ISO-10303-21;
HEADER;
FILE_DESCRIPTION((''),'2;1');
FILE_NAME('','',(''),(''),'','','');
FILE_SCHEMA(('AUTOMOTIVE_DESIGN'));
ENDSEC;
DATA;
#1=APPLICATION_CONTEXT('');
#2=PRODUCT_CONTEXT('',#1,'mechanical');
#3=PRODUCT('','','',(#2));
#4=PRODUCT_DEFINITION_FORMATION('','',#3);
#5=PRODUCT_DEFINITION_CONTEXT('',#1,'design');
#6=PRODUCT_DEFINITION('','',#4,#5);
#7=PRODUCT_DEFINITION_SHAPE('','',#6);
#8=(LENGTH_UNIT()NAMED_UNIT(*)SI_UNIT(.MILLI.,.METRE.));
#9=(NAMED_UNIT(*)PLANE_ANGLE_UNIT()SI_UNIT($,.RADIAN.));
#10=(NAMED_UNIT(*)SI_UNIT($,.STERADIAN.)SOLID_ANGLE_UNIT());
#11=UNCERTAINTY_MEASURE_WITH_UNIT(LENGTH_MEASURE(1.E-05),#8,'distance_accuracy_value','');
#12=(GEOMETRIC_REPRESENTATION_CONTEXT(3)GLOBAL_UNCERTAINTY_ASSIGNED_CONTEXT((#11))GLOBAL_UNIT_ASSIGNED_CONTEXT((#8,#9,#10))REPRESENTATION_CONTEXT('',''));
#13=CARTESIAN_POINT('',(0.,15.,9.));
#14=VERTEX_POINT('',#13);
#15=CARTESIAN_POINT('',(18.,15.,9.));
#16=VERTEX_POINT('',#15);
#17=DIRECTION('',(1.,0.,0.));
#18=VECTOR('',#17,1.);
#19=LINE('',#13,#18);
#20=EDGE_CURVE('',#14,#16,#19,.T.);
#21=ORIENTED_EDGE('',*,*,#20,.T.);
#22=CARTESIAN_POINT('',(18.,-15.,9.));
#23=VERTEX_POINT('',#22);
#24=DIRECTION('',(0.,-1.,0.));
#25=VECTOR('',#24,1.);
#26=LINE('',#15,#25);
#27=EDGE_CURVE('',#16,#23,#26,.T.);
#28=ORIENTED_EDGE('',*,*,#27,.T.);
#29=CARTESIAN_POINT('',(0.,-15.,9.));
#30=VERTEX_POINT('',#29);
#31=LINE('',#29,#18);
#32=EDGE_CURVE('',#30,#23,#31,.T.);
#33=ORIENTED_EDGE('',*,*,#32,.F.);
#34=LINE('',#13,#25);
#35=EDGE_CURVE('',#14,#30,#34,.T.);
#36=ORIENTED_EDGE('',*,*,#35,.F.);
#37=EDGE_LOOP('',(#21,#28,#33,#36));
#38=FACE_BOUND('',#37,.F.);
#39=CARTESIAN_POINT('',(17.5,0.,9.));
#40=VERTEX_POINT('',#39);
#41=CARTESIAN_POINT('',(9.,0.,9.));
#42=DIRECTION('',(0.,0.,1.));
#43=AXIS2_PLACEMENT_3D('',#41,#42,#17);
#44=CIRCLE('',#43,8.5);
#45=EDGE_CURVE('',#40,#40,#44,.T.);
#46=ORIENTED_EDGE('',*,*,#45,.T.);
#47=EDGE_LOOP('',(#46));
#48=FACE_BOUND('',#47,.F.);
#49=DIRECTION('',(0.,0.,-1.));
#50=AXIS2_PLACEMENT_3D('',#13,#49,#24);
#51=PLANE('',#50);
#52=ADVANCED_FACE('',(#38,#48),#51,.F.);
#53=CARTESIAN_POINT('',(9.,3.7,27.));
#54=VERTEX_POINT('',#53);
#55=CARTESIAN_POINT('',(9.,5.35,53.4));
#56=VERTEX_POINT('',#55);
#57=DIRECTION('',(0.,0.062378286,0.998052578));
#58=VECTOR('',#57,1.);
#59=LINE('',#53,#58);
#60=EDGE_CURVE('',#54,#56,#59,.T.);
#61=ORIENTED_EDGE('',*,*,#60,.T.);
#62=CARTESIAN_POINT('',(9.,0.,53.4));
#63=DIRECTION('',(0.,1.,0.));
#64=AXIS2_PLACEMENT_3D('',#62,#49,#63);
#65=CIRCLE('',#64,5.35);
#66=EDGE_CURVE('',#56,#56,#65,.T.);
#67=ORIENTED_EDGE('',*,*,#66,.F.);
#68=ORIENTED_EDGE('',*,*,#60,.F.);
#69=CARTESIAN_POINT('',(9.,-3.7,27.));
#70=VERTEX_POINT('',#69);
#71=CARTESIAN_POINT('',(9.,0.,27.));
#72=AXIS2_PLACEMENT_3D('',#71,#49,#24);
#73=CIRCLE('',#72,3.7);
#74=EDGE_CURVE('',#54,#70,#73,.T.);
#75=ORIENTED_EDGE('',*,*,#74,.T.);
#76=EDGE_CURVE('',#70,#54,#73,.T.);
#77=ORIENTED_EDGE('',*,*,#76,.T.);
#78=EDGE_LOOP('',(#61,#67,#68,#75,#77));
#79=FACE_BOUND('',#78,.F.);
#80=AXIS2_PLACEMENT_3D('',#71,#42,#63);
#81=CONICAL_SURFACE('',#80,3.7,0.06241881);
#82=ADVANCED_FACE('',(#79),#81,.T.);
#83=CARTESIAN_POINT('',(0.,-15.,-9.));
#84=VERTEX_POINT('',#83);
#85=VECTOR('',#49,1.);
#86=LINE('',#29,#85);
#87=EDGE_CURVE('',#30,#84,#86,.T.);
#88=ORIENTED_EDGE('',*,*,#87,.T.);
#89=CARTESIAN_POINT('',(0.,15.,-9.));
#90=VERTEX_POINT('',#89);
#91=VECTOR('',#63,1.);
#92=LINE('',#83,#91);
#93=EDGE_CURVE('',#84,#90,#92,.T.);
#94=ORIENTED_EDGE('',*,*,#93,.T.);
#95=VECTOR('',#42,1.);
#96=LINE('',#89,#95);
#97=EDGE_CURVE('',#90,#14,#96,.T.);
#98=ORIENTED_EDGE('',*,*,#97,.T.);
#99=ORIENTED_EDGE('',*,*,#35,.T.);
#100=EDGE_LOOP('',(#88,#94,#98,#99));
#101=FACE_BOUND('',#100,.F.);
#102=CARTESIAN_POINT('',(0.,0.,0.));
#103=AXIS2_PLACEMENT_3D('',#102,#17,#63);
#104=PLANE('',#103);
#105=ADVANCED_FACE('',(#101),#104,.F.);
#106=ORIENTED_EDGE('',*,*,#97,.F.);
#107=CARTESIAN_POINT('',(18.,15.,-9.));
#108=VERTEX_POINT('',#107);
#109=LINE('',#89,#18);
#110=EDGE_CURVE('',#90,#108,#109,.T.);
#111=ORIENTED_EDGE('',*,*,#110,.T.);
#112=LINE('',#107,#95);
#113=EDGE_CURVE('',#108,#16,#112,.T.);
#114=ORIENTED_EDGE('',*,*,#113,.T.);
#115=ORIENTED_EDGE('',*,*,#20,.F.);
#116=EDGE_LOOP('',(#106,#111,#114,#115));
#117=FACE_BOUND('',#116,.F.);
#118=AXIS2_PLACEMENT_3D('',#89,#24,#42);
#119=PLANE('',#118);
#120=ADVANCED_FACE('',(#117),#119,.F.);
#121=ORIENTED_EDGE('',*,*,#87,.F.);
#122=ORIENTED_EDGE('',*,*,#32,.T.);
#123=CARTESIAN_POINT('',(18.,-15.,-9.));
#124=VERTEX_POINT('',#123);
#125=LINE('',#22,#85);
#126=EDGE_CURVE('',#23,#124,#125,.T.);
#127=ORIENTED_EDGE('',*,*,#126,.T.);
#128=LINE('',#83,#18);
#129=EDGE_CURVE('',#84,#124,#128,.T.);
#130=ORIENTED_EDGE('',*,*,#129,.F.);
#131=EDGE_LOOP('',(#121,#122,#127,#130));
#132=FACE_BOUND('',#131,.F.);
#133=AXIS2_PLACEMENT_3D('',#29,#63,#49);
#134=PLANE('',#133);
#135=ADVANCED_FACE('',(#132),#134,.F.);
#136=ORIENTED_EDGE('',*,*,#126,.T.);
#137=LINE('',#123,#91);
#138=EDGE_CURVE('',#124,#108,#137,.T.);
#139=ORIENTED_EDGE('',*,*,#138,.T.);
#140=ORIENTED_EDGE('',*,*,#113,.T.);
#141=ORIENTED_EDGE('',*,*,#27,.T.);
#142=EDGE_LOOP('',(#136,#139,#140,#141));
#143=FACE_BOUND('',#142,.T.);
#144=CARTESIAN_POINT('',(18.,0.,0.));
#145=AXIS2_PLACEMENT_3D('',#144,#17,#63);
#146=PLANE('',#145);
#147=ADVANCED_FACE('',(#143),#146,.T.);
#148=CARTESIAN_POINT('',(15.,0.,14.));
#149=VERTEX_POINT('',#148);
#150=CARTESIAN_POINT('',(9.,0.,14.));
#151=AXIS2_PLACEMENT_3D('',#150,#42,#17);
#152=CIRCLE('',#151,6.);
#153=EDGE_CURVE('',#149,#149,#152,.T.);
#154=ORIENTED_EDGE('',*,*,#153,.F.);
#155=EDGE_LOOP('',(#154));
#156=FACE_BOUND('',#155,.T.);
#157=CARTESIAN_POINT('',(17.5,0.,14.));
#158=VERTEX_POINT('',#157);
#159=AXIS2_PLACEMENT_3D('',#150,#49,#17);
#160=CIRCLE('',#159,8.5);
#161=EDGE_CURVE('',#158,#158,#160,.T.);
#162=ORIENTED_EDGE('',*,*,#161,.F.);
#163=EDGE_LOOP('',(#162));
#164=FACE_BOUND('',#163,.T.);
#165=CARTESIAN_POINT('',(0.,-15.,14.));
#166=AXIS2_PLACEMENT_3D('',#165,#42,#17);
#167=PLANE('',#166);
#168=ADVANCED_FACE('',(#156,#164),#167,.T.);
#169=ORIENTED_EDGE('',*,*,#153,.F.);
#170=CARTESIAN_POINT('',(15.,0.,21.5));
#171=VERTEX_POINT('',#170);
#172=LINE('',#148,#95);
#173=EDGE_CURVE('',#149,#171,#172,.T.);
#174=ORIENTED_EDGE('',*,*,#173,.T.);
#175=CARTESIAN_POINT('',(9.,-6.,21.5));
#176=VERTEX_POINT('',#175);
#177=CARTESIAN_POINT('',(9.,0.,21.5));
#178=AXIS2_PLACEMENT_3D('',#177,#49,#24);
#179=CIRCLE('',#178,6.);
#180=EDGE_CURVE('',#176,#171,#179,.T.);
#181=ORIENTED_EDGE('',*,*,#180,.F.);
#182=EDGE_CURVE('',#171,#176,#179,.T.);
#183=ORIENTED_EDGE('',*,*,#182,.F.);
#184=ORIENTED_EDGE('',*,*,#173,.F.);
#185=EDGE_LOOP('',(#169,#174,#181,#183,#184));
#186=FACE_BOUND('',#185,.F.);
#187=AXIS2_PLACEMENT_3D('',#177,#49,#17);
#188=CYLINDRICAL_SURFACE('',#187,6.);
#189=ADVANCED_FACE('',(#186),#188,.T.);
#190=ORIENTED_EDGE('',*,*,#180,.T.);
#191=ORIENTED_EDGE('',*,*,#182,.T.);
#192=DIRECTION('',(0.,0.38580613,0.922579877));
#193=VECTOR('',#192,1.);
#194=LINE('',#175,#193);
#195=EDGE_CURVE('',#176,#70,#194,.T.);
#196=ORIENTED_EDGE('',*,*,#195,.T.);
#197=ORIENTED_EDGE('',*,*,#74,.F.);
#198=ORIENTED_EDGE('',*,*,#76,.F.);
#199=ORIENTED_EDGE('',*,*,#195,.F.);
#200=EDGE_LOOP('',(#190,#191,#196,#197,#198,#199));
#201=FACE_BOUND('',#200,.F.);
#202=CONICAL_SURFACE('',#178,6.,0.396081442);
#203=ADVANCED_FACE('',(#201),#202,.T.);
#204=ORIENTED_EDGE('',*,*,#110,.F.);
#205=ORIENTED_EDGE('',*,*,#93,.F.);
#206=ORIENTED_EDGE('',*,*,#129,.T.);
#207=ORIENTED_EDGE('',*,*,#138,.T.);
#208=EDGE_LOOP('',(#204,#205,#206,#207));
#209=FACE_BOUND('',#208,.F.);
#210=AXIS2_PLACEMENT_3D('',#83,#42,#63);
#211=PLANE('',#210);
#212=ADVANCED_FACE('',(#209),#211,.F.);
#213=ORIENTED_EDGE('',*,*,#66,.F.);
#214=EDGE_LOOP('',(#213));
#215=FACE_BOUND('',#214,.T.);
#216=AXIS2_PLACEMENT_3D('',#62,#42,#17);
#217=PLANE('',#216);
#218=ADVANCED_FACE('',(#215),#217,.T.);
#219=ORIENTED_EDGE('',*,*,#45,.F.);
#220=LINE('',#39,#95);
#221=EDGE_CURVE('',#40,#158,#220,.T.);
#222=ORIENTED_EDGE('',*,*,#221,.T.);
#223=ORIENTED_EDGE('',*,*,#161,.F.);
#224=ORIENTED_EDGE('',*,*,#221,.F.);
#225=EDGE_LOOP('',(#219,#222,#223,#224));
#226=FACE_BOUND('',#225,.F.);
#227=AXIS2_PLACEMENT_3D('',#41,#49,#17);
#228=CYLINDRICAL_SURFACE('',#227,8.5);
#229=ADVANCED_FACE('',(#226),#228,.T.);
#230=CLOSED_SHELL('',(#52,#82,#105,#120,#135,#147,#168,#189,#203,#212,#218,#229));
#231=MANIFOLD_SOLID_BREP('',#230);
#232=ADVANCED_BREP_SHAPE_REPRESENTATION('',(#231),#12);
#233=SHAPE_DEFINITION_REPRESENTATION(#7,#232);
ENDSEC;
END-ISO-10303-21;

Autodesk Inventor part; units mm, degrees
ref_plane "YZ Plane" through (0, 0, 0) normal (1, 0, 0) x (0, 1, 0)
ref_plane "XZ Plane" through (0, 0, 0) normal (0, 1, 0) x (-1, 0, 0)
sketch "Sketch1" plane through (0, 0, 0) normal (1, 0, 0) x (0, 1, 0)
  point P0 (0, 0)
sketch "Sketch2" plane through (0, 0, 0) normal (1, 0, 0) x (0, 1, 0)
  line L0 (15, 9) -> (-15, 9)
  line L1 (-15, 9) -> (-15, -9)
  line L2 (-15, -9) -> (15, -9)
  line L3 (15, -9) -> (15, 9)
  line L4 (15, 9) -> (-15, -9) construction
  line L5 (-15, 9) -> (15, -9) construction
  point P0 (0, 0)
  dimension "d0" = 30
  dimension "d1" = 18
extrude "Extrusion1" add sketch "Sketch2" along normal blind 18
sketch "Sketch3" plane through (0, -15, 9) normal (0, 0, 1) x (1, 0, 0)
  line L0 (18, 0) -> (18, 30) projected
  line L1 (0, 0) -> (0, 30) projected
  line L2 (18, 0) -> (0, 30)
  line L3 (0, 0) -> (18, 0) projected
  line L4 (0, 30) -> (0, 0)
  line L5 (0, 0) -> (18, 30)
  circle A0 centre (9, 15) radius 8.5
  point P0 (0, 15)
  dimension "d4" = 17
extrude "Extrusion2" add sketch "Sketch3" along normal blind 5 contours A0 L5 L2 | L2 L5 A0 | L5 L2 A0 | L5 A0 L2
sketch "Sketch4" plane through (9, 0, 14) normal (0, 0, 1) x (1, 0, 0)
  circle A0 centre (0, 0) radius 6
  point P0 (-9, 0)
  dimension "d7" = 12
extrude "Extrusion3" add sketch "Sketch4" along normal blind 7.5
sketch "Sketch5" plane through (9, 0, 21.5) normal (0, 0, 1) x (1, 0, 0)
  circle A0 centre (0, 0) radius 6
  point P0 (-9, 0)
extrude "Extrusion4" add sketch "Sketch5" along normal blind 5.5
sketch "Sketch6" plane through (0, 0, 0) normal (1, 0, 0) x (0, 1, 0)
  point P0 (0, 0)
ref_plane "Work Plane1" through (9, 0, 0) normal (1, 0, 0) x (0, 0, -1)
sketch "Sketch7" plane through (9, 0, 0) normal (1, 0, 0) x (0, 0, -1)
  line L0 (-27, 6) -> (-27, -6) projected
  line L1 (-27, 0) -> (-27, 3.7)
  line L2 (-27, 0) -> (-27, -3.7)
  line L3 (-14, -6) -> (-14, 6) projected
  line L4 (-14, -6) -> (-21.5, -6)
  line L5 (-14, -6) -> (-27, -6) projected
  line L6 (-21.5, -6) -> (-27, -3.7)
  line L7 (-27, -6) -> (-27, -3.7)
  line L8 (-21.5, -6) -> (-27, -6)
  line L9 (-40.6184, 0) -> (-19.5493, 0)
  point P0 (0, 0)
  dimension "d12" = 3.7
  dimension "d13" = 3.7
  dimension "d14" = 7.5
revolve "Revolution1" cut sketch "Sketch7" angle 360 about axis through (9, 0, 40.6184) along (0, 0, -1)
sketch "Sketch8" plane through (9, 0, 27) normal (0, 0, 1) x (1, 0, 0)
  circle A0 centre (0, 0) radius 3.7 projected
  circle A1 centre (0, 0) radius 5.35
  point P0 (-9, 0)
  dimension "d16" = 10.7
extrude "Extrusion5" add sketch "Sketch8" along normal blind 26.4 contours A0 | A1
sketch "Sketch9" plane through (9, 0, 0) normal (1, 0, 0) x (0, 0, -1)
  line L0 (-27, 3.7) -> (-27, -3.7) projected
  line L1 (-27, 3.7) -> (-53.4, 5.35)
  line L2 (-27, 5.35) -> (-53.4, 5.35) projected
  line L3 (-27, 3.7) -> (-27, 5.35)
  line L4 (-66.1655, 0) -> (-43.0091, 0)
  line L5 (-53.4, 5.35) -> (-53.4, -5.35) projected
  point P0 (0, 0)
  point P1 (-53.4, 0)
revolve "Revolution2" cut sketch "Sketch9" angle 360 about axis through (9, 0, 66.1655) along (0, 0, -1)
thread "Thread1" size "M12x1" class "6g" standard "ANSI Metric M Profile" length 15.103
properties part number "NKK_S1AL" material "Stainless Steel"
